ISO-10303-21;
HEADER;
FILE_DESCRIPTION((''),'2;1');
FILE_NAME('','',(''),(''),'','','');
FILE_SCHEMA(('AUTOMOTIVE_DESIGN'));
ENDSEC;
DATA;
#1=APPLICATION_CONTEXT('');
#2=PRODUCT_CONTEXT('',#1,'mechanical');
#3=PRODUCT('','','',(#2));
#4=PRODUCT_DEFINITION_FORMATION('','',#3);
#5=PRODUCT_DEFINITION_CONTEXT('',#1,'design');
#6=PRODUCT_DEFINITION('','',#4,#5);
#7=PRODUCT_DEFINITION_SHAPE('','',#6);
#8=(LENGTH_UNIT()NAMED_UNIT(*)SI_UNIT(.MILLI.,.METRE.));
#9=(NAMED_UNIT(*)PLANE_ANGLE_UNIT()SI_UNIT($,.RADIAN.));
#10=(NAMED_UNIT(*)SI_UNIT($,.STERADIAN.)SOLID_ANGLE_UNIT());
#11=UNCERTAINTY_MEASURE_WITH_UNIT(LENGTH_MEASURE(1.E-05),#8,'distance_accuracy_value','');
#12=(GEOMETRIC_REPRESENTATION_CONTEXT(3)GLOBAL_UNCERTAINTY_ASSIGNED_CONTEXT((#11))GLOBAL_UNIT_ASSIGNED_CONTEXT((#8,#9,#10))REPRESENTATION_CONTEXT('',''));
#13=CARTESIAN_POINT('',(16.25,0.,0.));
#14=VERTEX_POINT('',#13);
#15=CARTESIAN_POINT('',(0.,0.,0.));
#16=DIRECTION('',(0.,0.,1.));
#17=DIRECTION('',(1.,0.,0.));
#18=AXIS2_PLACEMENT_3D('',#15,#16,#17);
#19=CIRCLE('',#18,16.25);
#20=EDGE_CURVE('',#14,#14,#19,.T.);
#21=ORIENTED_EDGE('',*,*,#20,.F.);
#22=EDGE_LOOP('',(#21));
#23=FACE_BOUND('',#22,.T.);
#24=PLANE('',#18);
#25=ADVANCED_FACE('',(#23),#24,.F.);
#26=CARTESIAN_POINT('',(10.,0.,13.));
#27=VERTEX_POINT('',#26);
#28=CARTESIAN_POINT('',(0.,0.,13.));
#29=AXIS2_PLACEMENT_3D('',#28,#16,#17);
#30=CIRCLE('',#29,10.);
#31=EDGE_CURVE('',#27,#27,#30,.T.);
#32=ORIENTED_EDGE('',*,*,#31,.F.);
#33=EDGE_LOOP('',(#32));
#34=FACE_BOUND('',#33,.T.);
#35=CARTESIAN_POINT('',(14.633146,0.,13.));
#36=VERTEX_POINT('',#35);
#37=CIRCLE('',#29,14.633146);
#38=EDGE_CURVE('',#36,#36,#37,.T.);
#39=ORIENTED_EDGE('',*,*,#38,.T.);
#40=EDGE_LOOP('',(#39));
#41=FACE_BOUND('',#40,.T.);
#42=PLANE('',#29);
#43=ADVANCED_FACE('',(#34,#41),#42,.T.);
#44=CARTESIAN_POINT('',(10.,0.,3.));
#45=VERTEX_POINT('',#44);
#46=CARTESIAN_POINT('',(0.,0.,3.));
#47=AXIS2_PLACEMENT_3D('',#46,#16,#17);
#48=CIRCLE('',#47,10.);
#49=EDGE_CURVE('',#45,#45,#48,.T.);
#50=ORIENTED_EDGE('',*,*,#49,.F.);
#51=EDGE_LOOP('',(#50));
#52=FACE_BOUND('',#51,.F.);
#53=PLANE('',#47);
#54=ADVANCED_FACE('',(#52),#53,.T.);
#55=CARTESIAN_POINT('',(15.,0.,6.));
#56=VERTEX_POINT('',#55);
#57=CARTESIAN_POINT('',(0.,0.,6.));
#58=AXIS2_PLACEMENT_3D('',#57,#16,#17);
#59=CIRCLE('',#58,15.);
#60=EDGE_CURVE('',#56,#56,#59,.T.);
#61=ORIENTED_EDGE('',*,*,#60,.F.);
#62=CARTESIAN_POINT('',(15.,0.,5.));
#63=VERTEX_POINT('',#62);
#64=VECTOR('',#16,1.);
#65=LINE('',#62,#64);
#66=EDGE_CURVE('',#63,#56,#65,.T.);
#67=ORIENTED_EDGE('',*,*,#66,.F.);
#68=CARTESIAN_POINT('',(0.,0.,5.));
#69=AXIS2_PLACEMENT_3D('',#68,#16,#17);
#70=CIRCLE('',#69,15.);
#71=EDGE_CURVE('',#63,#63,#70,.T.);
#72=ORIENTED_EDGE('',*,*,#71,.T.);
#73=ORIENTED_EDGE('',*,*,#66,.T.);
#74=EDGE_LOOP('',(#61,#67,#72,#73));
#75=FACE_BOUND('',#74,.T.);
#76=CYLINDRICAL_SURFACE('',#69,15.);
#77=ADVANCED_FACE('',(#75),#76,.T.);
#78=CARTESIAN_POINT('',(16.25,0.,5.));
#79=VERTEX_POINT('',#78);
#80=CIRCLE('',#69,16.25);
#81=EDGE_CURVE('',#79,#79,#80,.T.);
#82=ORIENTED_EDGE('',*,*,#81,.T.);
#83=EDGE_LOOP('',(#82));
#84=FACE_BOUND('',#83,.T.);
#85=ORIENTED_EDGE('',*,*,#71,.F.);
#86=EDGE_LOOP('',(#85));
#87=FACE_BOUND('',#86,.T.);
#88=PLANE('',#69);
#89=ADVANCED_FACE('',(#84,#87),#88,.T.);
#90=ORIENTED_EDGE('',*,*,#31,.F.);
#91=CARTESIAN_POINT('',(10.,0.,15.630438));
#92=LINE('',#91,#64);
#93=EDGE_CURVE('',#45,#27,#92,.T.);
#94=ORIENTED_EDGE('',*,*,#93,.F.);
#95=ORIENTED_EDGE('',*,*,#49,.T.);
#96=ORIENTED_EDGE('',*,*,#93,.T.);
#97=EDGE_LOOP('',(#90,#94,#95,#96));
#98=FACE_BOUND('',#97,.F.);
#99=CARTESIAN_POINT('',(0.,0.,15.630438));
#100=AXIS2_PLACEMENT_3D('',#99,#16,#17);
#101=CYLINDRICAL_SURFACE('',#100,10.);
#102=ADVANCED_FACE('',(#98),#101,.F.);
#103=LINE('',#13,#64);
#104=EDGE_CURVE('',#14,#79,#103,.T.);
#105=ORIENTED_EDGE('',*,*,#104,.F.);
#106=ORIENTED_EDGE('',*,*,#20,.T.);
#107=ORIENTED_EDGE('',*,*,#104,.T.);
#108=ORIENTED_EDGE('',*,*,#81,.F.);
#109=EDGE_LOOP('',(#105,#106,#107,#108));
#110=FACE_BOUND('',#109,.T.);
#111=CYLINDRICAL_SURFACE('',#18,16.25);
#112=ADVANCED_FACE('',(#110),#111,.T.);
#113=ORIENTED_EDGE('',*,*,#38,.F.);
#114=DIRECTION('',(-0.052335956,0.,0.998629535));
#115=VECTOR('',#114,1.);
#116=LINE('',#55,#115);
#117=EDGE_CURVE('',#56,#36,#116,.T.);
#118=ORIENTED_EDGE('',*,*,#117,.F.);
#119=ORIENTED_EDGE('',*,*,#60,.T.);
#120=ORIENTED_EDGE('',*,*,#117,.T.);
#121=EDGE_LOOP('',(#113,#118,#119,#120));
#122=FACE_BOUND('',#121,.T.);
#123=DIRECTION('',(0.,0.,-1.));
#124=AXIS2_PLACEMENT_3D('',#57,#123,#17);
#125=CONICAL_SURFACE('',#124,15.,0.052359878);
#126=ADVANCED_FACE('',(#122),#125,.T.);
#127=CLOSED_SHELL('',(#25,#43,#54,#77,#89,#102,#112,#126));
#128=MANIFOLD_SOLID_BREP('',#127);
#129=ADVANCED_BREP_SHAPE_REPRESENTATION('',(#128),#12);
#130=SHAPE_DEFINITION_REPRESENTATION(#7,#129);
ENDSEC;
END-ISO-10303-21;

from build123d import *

# Parameters (mm, degrees)
CHAMFER001_ANGLE = 3
CHAMFER001_SIZE  = 7
SKETCH001_W      = 10
SKETCH001_H      = 25.260876


with BuildPart() as part:
    # Sketch052 → Revolution001 (revolve)
    with BuildSketch(Plane.XZ):
        Polygon((0, 0), (16.25, 0), (16.25, 5), (15, 5), (15, 13), (0, 13), align=None)
    revolve(axis=Axis((0, 0, 0), (0, 0, 1)))

    # Chamfer001
    chamfer001_edges = [part.edges().sort_by_distance(p)[0] for p in [
        (-15, 0, 13),
    ]]
    chamfer001_side = part.faces().sort_by_distance((-15, 0, 9))[0]
    chamfer(chamfer001_edges, length=CHAMFER001_SIZE, angle=CHAMFER001_ANGLE, reference=chamfer001_side)

    # Sketch001 → Groove001 (revolve, cut)
    with BuildSketch(Plane.XZ):
        with Locations((5, 15.630438)):
            Rectangle(SKETCH001_W, SKETCH001_H)
    revolve(axis=Axis((0, 0, 0), (0, 0, 1)), mode=Mode.SUBTRACT)


solid = part.part
